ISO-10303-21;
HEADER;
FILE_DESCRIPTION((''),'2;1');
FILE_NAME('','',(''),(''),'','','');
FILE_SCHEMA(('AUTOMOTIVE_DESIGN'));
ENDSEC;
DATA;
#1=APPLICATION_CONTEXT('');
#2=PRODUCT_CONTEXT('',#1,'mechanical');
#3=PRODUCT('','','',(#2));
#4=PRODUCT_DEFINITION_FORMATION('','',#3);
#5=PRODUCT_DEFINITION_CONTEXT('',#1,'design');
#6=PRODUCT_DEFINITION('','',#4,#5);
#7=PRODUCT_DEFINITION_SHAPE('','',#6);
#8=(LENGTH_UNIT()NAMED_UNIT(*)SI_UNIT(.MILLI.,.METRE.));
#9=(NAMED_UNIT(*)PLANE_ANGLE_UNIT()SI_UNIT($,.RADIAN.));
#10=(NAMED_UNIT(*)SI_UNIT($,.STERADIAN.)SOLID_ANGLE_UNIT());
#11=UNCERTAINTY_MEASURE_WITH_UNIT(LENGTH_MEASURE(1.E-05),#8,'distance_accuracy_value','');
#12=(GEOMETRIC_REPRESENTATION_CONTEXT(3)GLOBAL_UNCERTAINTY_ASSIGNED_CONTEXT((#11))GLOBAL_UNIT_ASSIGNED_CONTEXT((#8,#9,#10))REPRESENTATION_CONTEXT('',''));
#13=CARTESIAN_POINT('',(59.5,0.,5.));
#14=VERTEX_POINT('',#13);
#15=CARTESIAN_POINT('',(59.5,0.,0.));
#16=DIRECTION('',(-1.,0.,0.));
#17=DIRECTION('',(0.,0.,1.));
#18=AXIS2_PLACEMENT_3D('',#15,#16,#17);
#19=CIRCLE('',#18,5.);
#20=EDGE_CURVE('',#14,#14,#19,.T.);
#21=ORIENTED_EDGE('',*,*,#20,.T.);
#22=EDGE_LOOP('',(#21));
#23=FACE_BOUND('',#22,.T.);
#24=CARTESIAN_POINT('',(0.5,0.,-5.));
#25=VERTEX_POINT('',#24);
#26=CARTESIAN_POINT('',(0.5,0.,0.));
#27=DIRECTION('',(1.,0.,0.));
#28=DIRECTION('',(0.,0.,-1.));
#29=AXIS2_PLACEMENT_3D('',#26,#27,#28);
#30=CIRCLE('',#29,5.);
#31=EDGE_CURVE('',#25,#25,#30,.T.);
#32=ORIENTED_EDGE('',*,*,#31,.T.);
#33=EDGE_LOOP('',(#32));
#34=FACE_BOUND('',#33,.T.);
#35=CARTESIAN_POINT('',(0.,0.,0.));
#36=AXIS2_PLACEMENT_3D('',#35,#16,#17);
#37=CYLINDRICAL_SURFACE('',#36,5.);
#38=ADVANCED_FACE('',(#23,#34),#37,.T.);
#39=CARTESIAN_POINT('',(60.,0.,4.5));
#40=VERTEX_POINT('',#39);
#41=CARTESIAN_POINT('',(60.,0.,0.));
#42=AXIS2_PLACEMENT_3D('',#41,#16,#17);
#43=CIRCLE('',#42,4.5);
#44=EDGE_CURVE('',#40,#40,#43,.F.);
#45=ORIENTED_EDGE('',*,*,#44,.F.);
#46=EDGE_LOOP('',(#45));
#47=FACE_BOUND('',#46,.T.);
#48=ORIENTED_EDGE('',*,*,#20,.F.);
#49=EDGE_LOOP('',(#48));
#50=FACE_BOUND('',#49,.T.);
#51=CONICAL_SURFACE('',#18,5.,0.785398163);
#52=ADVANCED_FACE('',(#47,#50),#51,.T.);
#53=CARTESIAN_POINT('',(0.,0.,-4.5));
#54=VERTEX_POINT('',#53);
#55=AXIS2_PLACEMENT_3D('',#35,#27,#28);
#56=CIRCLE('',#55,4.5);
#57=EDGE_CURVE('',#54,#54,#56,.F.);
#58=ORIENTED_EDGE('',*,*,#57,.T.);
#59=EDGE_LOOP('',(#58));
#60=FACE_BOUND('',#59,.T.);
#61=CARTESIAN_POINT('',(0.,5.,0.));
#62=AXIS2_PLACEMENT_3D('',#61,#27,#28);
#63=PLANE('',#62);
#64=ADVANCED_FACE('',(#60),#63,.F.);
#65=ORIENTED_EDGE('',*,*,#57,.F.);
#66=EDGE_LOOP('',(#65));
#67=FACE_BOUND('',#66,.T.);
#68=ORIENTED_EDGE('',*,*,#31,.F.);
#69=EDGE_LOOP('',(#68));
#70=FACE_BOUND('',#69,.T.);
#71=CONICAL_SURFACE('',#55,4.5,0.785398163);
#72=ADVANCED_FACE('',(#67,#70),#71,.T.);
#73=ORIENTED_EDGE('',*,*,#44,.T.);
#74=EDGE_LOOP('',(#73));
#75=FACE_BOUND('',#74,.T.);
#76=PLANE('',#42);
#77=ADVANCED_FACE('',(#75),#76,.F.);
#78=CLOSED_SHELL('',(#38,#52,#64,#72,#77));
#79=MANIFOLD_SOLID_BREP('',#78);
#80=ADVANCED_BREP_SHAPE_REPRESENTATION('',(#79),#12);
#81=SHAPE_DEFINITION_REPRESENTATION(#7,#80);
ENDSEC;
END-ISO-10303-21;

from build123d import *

# Parameters (mm, degrees)
SKETCH1_W     = 60
SKETCH1_H     = 5
CHAMFER1_SIZE = 0.5


with BuildPart() as part:
    # Sketch1 → Revolve1 (revolve)
    with BuildSketch(Plane.XY):
        with Locations((30, 2.5)):
            Rectangle(SKETCH1_W, SKETCH1_H)
    revolve(axis=Axis((0, 0, 0), (1, 0, 0)))

    # Chamfer1
    chamfer1_edges = [part.edges().sort_by_distance(p)[0] for p in [
        (60, -5, 0),
        (0, -5, 0),
    ]]
    chamfer(chamfer1_edges, length=CHAMFER1_SIZE)


solid = part.part
